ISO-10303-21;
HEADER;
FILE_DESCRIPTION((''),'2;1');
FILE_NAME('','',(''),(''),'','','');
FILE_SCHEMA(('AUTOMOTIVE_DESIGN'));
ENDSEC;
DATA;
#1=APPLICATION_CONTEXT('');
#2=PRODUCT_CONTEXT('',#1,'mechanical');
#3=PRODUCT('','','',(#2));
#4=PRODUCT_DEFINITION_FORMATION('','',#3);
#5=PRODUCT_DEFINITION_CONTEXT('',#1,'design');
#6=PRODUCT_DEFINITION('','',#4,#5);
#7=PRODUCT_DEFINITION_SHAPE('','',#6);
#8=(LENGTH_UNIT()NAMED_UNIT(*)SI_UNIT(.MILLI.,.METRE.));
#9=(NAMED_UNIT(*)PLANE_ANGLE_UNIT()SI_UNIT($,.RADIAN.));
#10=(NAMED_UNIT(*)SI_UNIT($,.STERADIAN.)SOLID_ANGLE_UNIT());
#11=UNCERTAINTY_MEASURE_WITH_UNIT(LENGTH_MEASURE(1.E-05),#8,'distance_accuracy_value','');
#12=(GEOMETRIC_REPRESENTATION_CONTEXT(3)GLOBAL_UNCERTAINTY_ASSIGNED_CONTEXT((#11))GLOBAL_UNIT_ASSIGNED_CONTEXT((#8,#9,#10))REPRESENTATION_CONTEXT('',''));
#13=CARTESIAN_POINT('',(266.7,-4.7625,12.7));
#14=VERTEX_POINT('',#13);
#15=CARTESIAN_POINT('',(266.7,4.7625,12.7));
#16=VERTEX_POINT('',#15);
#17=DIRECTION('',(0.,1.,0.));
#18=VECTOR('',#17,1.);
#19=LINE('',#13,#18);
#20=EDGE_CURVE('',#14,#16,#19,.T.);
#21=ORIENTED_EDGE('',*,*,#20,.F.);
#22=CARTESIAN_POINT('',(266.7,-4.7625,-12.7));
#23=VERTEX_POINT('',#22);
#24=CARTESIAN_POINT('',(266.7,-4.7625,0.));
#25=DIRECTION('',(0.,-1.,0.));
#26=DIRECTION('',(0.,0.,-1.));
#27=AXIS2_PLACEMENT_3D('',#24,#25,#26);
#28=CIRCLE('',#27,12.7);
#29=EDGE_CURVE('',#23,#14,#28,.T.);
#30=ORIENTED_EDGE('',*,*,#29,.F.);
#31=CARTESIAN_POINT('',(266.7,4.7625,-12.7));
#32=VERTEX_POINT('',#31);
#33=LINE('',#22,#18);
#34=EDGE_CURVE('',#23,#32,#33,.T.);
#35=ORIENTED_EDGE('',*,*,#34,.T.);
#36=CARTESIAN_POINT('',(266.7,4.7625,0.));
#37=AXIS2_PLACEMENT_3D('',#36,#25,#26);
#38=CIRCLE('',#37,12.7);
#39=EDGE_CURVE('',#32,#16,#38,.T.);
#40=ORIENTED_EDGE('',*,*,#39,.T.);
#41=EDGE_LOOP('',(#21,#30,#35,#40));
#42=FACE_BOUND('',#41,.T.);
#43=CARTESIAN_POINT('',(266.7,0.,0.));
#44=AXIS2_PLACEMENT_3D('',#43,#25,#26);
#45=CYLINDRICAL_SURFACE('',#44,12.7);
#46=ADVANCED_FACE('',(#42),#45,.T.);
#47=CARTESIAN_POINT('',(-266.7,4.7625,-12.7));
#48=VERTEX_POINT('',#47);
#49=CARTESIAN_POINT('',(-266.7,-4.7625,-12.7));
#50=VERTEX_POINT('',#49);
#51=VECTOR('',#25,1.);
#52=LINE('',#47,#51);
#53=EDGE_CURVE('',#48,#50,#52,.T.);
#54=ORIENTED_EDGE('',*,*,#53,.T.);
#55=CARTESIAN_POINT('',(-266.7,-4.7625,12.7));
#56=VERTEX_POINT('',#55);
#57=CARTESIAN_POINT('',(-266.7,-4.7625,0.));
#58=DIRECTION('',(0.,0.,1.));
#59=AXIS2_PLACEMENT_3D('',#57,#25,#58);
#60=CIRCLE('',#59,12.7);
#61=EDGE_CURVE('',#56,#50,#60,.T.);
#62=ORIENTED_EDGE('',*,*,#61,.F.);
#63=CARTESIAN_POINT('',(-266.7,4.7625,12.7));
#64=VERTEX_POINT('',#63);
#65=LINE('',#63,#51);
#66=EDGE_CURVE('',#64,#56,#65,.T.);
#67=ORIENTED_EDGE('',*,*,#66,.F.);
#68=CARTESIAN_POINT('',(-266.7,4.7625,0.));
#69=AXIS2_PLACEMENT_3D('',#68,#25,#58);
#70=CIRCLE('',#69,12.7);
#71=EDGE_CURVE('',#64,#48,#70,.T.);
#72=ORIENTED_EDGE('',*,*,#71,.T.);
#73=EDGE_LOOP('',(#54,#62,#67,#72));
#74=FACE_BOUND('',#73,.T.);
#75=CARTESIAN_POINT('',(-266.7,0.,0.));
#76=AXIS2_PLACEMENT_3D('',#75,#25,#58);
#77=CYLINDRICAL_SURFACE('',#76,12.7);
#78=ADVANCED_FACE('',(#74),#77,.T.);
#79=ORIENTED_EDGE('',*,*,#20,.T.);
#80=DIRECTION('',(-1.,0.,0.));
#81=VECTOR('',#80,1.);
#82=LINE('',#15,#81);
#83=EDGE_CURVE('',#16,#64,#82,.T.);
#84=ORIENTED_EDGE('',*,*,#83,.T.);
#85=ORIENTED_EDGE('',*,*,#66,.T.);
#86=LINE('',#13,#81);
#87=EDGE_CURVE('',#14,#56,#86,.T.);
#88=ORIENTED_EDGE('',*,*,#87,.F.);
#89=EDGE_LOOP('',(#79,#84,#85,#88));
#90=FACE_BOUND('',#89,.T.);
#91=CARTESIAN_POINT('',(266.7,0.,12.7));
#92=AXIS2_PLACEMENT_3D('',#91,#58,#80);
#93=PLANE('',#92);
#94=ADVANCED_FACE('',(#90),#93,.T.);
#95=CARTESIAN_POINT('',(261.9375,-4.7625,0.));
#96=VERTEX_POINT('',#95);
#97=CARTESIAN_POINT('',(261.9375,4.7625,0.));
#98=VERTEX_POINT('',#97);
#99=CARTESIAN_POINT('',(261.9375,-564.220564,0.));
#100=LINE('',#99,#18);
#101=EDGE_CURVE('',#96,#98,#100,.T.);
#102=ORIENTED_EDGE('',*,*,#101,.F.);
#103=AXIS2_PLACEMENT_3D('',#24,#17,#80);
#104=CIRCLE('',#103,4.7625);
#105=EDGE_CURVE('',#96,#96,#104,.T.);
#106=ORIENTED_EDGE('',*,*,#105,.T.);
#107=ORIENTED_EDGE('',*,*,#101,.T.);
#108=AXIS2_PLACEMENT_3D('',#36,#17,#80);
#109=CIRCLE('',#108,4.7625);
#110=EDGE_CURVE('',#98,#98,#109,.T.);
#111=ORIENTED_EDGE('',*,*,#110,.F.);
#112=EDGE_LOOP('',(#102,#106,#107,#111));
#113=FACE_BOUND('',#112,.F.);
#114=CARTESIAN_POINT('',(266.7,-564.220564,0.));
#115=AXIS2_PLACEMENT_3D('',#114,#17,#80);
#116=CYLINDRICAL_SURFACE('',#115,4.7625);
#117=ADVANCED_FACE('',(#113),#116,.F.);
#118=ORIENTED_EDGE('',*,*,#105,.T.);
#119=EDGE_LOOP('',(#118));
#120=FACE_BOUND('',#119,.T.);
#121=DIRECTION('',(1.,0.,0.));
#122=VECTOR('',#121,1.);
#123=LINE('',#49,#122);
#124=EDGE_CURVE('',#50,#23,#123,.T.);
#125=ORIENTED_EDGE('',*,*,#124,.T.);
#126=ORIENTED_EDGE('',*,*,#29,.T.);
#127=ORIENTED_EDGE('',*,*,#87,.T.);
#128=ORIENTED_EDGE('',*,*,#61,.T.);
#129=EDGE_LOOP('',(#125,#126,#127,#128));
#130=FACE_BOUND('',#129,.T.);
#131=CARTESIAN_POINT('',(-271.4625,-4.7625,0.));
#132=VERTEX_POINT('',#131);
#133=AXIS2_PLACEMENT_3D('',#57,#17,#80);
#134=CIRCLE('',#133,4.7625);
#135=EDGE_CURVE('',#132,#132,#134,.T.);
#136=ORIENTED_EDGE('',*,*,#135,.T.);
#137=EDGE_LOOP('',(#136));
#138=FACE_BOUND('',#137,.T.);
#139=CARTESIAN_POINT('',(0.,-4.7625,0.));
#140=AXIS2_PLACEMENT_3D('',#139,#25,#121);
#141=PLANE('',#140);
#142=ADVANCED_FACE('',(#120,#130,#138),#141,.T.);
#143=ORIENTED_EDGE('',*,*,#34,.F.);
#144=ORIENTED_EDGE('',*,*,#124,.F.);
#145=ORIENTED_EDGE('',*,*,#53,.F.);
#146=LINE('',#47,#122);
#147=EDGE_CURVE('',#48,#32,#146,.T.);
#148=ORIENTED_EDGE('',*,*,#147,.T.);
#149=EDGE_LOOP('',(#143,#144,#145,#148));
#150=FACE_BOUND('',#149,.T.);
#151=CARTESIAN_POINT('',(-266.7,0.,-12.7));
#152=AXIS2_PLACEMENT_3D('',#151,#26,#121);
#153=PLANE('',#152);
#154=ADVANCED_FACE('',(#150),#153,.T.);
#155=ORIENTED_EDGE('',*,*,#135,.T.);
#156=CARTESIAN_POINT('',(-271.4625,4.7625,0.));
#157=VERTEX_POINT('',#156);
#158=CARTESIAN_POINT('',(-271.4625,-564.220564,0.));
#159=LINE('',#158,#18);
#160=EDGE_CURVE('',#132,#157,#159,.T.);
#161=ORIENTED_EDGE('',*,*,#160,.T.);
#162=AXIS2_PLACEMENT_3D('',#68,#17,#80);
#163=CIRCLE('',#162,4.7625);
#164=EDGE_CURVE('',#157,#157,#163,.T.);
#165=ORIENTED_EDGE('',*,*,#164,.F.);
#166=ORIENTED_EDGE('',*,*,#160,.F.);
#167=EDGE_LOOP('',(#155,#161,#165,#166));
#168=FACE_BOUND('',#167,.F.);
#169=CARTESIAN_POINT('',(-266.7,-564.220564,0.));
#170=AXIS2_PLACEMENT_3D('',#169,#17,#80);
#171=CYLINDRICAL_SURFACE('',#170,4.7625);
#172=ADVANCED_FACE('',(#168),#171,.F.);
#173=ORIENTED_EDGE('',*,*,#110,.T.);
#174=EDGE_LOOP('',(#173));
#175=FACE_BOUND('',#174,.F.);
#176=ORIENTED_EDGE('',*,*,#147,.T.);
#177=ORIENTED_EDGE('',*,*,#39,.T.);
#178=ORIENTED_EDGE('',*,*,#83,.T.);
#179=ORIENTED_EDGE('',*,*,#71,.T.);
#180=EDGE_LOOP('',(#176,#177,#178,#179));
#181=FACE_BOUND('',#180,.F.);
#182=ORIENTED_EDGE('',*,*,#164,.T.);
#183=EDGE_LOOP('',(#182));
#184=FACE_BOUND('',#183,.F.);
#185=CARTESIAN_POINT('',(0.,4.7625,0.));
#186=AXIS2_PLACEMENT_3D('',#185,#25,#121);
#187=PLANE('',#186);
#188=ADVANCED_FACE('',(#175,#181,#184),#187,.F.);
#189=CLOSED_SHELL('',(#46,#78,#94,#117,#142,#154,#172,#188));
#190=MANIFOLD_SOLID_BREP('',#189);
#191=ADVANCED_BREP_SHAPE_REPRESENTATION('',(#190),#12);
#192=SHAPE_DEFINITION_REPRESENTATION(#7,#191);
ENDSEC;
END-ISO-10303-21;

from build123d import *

# Parameters (mm, degrees)
F1_DEPTH = 4.7625
F3_D     = 9.525


with BuildPart() as f1:
    # F0 (on Front) → F1 (new body, symmetric)
    with BuildSketch(Plane.XZ):
        with BuildLine():
            Line((266.7, 12.7), (-266.7, 12.7))
            ThreePointArc((-266.7, 12.7), (-279.4, 0), (-266.7, -12.7))
            Line((-266.7, -12.7), (266.7, -12.7))
            ThreePointArc((266.7, -12.7), (279.4, 0), (266.7, 12.7))
        make_face()
    extrude(amount=F1_DEPTH, both=True)

    # F3 (through all)
    with Locations(Plane.XZ.offset(4.7625)):
        with Locations((-266.7, 0), (266.7, 0)):
            Hole(F3_D / 2)


solid = f1.part
